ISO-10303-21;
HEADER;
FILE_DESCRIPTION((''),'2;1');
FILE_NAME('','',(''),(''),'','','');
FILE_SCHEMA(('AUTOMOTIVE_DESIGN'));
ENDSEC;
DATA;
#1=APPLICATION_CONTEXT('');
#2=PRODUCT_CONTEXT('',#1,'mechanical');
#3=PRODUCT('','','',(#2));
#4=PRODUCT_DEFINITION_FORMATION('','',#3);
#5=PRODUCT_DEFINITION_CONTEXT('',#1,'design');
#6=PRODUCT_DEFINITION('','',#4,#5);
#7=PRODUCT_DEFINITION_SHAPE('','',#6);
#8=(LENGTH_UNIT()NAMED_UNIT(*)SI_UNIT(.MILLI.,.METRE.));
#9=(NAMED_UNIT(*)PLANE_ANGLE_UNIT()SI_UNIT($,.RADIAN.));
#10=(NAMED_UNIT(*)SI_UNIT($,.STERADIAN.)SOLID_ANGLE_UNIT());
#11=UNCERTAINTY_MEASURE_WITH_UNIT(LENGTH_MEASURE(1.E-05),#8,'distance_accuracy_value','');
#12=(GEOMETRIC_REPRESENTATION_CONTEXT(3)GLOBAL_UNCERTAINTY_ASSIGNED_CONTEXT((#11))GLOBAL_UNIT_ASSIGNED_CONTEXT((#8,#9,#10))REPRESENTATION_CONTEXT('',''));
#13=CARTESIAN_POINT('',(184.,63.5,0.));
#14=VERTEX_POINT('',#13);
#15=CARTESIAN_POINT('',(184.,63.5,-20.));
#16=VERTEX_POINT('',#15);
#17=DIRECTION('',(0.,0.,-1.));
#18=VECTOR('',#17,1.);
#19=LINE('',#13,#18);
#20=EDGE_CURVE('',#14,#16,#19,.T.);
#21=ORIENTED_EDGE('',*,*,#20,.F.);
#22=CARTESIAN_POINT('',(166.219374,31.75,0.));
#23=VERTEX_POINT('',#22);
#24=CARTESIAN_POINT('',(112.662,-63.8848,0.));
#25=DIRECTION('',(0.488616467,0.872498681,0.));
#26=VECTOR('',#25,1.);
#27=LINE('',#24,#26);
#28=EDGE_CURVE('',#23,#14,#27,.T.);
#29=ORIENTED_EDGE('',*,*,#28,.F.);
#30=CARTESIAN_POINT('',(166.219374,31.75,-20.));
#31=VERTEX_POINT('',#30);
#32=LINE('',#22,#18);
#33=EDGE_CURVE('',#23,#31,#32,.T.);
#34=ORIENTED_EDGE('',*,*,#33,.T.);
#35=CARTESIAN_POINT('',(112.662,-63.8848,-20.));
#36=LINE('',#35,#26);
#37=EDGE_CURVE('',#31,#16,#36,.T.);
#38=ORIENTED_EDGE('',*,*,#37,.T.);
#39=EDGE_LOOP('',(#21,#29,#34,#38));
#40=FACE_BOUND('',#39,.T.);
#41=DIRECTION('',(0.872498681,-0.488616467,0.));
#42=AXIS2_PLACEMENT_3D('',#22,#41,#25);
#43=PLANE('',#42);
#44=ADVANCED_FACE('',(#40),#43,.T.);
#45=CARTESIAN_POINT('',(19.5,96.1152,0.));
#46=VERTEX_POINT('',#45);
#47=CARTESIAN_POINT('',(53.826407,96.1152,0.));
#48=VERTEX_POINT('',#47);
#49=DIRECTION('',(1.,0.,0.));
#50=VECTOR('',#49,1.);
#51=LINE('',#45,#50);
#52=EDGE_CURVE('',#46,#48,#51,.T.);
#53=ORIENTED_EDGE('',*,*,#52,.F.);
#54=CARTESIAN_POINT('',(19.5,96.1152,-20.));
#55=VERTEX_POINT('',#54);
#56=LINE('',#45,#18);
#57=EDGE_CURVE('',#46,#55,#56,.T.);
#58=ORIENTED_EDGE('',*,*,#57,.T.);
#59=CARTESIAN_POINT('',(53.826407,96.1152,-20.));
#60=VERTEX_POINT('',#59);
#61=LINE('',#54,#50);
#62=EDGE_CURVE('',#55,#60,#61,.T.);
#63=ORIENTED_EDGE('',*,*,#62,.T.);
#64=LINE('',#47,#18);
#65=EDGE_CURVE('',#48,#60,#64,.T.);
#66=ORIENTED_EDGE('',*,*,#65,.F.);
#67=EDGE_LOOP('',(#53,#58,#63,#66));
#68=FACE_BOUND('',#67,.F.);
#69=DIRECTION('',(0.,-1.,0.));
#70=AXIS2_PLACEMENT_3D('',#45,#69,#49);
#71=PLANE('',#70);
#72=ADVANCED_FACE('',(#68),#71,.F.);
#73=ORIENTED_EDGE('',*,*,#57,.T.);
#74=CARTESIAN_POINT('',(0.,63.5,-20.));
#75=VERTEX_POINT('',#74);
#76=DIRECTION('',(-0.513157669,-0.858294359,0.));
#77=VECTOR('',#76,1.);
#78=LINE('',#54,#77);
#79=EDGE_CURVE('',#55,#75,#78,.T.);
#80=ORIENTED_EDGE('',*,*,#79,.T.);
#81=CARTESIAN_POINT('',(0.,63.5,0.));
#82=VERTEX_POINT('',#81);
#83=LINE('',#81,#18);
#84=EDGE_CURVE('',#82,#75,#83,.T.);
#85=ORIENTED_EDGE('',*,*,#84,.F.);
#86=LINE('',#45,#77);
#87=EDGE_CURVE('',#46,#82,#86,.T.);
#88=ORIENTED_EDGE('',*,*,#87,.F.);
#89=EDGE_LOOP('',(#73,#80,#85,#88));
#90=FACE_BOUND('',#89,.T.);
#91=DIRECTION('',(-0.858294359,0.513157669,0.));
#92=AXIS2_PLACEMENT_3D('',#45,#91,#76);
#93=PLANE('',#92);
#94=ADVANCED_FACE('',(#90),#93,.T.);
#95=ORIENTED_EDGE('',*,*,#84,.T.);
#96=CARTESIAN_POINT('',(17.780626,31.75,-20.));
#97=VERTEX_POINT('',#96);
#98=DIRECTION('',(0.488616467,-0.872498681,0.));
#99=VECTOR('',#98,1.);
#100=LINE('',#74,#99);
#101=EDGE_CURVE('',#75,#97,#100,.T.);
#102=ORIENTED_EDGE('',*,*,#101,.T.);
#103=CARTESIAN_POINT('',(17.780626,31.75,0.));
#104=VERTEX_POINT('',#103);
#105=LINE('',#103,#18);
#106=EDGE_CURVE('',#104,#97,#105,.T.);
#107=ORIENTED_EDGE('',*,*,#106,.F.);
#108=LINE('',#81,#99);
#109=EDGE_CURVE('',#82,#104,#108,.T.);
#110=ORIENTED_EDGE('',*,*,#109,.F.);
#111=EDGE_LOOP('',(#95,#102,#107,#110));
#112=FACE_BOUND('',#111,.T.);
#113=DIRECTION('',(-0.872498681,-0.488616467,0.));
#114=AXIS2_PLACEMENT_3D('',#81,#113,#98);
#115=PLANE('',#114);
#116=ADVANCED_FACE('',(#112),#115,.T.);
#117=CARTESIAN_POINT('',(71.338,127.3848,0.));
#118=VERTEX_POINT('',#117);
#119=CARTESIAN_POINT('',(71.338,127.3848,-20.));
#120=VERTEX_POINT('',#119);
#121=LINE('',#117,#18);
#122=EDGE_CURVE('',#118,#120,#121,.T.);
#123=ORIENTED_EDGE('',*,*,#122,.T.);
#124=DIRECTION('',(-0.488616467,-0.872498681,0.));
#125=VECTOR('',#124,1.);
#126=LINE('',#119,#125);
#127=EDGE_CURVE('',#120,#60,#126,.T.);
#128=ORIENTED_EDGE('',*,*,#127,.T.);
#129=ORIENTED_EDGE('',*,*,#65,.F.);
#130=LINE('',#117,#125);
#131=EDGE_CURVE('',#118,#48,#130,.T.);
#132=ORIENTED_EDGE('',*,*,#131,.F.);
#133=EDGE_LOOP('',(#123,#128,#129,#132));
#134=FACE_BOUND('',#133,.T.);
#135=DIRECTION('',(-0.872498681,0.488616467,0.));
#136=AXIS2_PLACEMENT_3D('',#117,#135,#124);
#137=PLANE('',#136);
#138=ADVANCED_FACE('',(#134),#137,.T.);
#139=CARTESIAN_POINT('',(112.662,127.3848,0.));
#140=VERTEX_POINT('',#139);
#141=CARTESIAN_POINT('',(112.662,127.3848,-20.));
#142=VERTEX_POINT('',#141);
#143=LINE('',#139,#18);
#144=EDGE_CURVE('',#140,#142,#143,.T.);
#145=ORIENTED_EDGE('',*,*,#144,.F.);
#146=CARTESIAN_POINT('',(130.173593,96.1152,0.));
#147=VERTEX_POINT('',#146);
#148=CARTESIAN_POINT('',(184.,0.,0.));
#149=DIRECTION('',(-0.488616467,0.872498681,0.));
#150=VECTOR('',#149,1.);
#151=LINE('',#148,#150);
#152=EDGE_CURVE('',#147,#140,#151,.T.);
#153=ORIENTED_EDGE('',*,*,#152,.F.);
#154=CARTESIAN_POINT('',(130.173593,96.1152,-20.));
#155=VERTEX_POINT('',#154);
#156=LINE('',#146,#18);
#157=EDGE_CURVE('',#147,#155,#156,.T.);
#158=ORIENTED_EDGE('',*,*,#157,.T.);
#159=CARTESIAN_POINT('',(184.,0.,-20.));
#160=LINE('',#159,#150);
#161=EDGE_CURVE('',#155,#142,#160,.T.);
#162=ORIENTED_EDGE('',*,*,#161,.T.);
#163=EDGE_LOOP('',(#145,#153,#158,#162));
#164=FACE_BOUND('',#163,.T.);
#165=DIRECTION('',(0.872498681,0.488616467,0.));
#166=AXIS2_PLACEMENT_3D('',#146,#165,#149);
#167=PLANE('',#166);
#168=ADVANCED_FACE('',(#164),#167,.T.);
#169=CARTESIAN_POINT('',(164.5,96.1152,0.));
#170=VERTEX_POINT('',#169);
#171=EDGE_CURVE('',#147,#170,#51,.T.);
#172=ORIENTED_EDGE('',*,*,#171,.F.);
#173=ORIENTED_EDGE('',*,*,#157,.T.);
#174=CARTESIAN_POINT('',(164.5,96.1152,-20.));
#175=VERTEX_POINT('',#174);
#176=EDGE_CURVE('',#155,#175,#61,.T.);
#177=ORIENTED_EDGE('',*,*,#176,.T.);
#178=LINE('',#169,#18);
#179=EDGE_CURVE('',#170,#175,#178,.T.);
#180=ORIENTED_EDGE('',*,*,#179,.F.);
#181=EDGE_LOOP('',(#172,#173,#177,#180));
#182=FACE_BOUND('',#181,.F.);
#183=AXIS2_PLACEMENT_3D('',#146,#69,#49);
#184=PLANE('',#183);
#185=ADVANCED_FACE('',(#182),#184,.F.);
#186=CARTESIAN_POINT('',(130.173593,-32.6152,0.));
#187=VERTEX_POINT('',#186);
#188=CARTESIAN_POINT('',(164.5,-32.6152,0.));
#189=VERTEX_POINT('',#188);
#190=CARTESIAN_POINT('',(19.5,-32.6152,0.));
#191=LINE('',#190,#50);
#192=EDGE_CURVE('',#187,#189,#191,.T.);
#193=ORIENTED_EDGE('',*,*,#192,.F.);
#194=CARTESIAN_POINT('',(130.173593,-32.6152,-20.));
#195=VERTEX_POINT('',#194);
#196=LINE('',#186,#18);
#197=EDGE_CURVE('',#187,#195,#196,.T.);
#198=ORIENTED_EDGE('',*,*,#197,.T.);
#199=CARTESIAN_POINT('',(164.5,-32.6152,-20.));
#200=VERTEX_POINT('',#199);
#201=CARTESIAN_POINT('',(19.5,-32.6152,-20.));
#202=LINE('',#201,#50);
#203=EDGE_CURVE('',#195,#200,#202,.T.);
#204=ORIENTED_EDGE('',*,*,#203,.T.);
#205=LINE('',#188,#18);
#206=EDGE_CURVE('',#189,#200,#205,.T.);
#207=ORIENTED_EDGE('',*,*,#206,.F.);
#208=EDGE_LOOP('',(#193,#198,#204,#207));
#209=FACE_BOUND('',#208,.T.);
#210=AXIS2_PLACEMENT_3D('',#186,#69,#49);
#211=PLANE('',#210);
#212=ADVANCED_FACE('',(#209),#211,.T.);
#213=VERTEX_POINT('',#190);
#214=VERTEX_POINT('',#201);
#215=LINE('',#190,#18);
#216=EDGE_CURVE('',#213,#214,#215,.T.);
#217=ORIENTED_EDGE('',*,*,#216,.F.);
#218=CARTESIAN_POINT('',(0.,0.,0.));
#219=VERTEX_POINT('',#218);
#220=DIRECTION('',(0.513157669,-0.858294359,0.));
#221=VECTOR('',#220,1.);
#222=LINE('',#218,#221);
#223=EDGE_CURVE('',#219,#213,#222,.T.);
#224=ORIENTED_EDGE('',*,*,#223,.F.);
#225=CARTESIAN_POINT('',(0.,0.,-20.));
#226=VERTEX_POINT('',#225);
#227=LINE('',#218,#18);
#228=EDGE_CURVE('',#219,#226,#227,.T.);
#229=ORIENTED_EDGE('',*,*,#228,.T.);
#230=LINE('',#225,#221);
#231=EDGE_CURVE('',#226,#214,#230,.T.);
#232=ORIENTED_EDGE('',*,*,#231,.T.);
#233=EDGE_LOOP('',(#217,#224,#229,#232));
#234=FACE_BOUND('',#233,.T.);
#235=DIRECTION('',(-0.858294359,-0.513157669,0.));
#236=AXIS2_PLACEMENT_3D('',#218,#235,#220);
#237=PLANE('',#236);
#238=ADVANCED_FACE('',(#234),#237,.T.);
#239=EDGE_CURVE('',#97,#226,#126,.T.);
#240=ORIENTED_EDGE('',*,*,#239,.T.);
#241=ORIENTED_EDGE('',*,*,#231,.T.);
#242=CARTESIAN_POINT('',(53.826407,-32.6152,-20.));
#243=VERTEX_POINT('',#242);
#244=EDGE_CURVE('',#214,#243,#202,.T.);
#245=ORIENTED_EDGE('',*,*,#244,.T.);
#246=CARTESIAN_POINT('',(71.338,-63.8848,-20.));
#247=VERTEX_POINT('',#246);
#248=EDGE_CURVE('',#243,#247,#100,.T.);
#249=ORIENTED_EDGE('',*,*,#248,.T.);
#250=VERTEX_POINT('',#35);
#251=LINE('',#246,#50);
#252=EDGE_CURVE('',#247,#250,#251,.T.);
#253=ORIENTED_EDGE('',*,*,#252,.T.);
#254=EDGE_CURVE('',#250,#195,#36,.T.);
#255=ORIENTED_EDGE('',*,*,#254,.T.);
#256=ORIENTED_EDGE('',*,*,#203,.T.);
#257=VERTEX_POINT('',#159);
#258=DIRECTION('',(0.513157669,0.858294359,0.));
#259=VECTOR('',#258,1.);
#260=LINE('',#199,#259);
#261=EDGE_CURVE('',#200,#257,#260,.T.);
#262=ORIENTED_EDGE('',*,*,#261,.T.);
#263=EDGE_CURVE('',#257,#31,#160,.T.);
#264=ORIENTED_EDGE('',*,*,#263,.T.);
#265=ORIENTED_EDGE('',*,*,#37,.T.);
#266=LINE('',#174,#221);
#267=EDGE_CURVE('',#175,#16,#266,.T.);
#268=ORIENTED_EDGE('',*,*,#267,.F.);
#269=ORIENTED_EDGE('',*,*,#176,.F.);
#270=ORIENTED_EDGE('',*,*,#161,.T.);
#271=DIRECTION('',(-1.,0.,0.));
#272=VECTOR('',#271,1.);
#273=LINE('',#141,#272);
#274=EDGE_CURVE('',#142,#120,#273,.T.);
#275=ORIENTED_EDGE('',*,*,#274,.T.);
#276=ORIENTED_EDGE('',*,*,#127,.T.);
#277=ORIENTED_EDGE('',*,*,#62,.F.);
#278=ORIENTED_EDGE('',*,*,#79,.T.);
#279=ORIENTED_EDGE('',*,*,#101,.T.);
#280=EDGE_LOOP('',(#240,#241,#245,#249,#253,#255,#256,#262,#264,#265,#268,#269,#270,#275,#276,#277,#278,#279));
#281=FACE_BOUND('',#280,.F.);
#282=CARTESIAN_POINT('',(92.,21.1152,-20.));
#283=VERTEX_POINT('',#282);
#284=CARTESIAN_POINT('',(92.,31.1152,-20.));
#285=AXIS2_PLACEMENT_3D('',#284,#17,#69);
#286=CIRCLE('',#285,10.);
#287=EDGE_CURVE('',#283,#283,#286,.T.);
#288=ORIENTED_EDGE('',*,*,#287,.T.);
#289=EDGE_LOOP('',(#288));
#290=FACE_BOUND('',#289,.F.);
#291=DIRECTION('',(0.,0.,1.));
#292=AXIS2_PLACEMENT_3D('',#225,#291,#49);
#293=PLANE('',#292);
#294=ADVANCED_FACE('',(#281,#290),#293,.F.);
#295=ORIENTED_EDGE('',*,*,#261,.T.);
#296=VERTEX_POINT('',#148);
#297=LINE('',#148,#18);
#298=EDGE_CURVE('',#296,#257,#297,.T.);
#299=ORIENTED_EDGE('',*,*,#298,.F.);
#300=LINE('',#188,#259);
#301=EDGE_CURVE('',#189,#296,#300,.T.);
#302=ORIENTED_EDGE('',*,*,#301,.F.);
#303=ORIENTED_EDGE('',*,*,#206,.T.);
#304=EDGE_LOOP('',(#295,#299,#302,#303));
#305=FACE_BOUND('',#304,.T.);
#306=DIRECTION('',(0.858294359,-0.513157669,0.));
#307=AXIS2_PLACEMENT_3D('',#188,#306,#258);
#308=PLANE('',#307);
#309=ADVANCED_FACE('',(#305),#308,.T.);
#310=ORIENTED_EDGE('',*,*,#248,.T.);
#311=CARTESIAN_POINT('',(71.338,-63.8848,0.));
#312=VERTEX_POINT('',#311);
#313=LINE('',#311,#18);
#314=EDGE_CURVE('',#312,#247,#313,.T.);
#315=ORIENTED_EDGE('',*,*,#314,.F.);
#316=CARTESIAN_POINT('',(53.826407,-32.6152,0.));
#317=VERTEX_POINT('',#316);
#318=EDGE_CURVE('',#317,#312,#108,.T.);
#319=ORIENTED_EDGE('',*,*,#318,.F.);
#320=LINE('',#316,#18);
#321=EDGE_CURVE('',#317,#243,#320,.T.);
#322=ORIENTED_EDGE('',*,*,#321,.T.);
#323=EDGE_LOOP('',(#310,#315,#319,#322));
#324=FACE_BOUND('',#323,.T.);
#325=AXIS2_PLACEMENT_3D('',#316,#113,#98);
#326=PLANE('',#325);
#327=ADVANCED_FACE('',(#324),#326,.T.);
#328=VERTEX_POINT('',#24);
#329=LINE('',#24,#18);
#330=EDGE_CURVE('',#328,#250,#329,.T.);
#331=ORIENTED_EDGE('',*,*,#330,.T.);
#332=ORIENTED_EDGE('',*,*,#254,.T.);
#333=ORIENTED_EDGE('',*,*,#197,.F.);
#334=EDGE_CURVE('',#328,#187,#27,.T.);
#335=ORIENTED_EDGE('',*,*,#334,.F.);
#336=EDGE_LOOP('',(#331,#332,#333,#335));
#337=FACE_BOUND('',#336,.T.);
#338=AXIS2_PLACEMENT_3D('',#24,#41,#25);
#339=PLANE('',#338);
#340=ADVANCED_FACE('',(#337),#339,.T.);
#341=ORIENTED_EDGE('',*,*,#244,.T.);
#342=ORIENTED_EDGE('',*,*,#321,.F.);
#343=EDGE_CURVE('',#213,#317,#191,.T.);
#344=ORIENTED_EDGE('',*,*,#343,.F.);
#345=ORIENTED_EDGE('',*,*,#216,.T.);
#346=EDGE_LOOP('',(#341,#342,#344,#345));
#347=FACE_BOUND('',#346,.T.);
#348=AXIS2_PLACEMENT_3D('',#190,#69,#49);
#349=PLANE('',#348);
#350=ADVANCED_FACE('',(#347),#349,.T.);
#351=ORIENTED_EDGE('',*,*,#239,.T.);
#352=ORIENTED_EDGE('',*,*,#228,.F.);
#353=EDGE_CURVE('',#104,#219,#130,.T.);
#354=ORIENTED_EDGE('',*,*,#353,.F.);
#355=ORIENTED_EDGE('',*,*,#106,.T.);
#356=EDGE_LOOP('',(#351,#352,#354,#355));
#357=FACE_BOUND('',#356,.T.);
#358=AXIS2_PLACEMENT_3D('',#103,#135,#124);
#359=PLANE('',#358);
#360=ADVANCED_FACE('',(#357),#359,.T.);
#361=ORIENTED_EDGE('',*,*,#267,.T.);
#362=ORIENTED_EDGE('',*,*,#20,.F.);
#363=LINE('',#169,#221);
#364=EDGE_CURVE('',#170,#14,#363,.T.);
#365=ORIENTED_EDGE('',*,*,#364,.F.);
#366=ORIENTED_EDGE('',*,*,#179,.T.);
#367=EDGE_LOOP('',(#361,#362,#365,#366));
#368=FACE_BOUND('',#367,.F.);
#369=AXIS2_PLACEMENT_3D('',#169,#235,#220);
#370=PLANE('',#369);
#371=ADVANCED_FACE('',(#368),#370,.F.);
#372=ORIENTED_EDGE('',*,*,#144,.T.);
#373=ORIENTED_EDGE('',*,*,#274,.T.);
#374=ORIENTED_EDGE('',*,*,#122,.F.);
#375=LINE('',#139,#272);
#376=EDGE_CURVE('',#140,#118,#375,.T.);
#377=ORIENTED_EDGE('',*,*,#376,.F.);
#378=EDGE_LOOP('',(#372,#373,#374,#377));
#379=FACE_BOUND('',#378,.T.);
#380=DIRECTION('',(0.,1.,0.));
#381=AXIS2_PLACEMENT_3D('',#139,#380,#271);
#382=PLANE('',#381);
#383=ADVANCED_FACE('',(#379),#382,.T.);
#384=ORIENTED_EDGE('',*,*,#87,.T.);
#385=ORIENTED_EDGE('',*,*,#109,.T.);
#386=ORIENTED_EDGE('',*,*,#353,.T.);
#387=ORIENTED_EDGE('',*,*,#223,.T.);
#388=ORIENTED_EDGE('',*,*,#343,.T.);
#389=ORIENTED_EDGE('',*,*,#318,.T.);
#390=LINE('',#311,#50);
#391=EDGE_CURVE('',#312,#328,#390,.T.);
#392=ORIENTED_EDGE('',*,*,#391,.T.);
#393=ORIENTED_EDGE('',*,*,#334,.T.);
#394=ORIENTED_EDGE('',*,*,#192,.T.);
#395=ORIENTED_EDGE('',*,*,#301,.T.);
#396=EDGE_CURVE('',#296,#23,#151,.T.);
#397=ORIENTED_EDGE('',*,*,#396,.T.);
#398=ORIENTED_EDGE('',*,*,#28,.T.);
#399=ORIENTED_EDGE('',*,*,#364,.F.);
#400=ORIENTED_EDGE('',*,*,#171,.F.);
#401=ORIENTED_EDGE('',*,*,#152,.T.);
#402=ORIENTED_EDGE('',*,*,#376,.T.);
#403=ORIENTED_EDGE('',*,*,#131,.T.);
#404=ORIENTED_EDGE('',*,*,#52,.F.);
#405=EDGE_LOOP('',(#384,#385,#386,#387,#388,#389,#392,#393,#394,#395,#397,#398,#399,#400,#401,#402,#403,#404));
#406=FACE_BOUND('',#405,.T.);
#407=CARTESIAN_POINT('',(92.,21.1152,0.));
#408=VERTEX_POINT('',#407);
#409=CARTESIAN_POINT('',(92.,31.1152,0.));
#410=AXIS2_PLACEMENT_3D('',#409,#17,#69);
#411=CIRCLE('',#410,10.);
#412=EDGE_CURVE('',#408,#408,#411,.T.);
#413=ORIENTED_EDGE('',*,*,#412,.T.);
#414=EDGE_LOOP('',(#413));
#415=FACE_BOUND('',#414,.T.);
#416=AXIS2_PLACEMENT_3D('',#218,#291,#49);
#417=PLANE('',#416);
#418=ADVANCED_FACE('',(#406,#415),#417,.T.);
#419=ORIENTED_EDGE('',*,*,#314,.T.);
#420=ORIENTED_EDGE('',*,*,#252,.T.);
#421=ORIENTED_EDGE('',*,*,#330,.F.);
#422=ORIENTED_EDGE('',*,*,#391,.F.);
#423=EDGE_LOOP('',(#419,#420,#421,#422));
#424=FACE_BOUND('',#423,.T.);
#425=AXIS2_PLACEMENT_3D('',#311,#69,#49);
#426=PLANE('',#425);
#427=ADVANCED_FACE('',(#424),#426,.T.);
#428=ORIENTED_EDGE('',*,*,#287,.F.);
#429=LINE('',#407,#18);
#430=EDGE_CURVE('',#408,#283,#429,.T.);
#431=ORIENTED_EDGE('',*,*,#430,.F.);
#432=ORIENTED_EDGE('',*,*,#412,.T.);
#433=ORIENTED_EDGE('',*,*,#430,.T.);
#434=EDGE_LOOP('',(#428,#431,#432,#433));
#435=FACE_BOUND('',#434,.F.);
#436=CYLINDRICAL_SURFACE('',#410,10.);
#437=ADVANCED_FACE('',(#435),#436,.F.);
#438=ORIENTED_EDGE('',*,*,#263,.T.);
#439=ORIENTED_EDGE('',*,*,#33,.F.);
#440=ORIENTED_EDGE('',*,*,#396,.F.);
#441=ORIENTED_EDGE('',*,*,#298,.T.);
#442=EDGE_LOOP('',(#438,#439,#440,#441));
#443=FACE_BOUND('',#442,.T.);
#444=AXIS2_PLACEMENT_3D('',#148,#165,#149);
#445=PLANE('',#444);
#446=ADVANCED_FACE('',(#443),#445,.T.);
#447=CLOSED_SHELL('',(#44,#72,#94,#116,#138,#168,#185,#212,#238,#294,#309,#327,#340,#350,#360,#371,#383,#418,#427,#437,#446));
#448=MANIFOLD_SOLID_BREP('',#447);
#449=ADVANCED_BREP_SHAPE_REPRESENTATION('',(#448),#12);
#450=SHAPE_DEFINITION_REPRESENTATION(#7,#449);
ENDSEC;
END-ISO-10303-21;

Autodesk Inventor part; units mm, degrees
ref_plane "우측면도" through (0, 0, 0) normal (1, 0, 0) x (0, 1, 0)
ref_plane "평면도" through (0, 0, 0) normal (0, 1, 0) x (-1, 0, 0)
ref_plane "정면도" through (0, 0, 0) normal (0, 0, 1) x (1, 0, 0)
sketch "스케치1" plane through (0, 0, 0) normal (0, 0, 1) x (1, 0, 0)
  line L0 (0, 0) -> (184, 0)
  line L1 (184, 0) -> (112.662, 127.3848)
  line L2 (112.662, 127.3848) -> (71.338, 127.3848)
  line L3 (71.338, 127.3848) -> (0, 0)
  line L4 (0, 0) -> (19.5, -32.6152)
  line L5 (19.5, -32.6152) -> (164.5, -32.6152)
  line L6 (164.5, -32.6152) -> (184, 0)
  line L7 (0, 63.5) -> (184, 63.5)
  line L8 (19.5, 96.1152) -> (164.5, 96.1152)
  line L9 (0, 63.5) -> (71.338, -63.8848)
  line L10 (71.338, -63.8848) -> (112.662, -63.8848)
  line L11 (112.662, -63.8848) -> (184, 63.5)
  line L12 (19.5, 96.1152) -> (0, 63.5)
  line L13 (164.5, 96.1152) -> (184, 63.5)
  circle A0 centre (92, 31.1152) radius 40
  point P0 (92, -63.8848)
  dimension "d0" = 184
  dimension "d1" = 146
  dimension "d2" = 146
  dimension "d3" = 145
  dimension "d6" = 160
  dimension "d7" = 38
  dimension "d15" = 127.3848
  dimension "d16" = 184
  dimension "d17" = 63.5
  dimension "d18" = 146
  dimension "d19" = 38
  dimension "d20" = 145
  dimension "d21" = 160
  dimension "d22" = 146
  dimension "d23" = 95
  dimension "d24" = 80
extrude "돌출1" add sketch "스케치1" against normal blind 20
sketch "스케치3" plane through (0, 0, 0) normal (0, 0, 1) x (1, 0, 0)
  line L0 (0, 0) -> (184, 0)
  line L1 (92, 126.8615) -> (92, -64.5501)
  circle A0 centre (92, 31.1152) radius 40
  line L2 (71.338, -63.8848) -> (112.662, -63.8848) projected
  line L3 (112.662, 127.3848) -> (71.338, 127.3848) projected
  dimension "d27" = 184
  dimension "d28" = 92
  dimension "d29" = 80
  dimension "d30" = 191.2696
  dimension "d31" = 95
hole "구멍1" at (92, 31.1152, 0) direction (0, 0, -1) diameter 20 end through all
properties part number "밑판"
